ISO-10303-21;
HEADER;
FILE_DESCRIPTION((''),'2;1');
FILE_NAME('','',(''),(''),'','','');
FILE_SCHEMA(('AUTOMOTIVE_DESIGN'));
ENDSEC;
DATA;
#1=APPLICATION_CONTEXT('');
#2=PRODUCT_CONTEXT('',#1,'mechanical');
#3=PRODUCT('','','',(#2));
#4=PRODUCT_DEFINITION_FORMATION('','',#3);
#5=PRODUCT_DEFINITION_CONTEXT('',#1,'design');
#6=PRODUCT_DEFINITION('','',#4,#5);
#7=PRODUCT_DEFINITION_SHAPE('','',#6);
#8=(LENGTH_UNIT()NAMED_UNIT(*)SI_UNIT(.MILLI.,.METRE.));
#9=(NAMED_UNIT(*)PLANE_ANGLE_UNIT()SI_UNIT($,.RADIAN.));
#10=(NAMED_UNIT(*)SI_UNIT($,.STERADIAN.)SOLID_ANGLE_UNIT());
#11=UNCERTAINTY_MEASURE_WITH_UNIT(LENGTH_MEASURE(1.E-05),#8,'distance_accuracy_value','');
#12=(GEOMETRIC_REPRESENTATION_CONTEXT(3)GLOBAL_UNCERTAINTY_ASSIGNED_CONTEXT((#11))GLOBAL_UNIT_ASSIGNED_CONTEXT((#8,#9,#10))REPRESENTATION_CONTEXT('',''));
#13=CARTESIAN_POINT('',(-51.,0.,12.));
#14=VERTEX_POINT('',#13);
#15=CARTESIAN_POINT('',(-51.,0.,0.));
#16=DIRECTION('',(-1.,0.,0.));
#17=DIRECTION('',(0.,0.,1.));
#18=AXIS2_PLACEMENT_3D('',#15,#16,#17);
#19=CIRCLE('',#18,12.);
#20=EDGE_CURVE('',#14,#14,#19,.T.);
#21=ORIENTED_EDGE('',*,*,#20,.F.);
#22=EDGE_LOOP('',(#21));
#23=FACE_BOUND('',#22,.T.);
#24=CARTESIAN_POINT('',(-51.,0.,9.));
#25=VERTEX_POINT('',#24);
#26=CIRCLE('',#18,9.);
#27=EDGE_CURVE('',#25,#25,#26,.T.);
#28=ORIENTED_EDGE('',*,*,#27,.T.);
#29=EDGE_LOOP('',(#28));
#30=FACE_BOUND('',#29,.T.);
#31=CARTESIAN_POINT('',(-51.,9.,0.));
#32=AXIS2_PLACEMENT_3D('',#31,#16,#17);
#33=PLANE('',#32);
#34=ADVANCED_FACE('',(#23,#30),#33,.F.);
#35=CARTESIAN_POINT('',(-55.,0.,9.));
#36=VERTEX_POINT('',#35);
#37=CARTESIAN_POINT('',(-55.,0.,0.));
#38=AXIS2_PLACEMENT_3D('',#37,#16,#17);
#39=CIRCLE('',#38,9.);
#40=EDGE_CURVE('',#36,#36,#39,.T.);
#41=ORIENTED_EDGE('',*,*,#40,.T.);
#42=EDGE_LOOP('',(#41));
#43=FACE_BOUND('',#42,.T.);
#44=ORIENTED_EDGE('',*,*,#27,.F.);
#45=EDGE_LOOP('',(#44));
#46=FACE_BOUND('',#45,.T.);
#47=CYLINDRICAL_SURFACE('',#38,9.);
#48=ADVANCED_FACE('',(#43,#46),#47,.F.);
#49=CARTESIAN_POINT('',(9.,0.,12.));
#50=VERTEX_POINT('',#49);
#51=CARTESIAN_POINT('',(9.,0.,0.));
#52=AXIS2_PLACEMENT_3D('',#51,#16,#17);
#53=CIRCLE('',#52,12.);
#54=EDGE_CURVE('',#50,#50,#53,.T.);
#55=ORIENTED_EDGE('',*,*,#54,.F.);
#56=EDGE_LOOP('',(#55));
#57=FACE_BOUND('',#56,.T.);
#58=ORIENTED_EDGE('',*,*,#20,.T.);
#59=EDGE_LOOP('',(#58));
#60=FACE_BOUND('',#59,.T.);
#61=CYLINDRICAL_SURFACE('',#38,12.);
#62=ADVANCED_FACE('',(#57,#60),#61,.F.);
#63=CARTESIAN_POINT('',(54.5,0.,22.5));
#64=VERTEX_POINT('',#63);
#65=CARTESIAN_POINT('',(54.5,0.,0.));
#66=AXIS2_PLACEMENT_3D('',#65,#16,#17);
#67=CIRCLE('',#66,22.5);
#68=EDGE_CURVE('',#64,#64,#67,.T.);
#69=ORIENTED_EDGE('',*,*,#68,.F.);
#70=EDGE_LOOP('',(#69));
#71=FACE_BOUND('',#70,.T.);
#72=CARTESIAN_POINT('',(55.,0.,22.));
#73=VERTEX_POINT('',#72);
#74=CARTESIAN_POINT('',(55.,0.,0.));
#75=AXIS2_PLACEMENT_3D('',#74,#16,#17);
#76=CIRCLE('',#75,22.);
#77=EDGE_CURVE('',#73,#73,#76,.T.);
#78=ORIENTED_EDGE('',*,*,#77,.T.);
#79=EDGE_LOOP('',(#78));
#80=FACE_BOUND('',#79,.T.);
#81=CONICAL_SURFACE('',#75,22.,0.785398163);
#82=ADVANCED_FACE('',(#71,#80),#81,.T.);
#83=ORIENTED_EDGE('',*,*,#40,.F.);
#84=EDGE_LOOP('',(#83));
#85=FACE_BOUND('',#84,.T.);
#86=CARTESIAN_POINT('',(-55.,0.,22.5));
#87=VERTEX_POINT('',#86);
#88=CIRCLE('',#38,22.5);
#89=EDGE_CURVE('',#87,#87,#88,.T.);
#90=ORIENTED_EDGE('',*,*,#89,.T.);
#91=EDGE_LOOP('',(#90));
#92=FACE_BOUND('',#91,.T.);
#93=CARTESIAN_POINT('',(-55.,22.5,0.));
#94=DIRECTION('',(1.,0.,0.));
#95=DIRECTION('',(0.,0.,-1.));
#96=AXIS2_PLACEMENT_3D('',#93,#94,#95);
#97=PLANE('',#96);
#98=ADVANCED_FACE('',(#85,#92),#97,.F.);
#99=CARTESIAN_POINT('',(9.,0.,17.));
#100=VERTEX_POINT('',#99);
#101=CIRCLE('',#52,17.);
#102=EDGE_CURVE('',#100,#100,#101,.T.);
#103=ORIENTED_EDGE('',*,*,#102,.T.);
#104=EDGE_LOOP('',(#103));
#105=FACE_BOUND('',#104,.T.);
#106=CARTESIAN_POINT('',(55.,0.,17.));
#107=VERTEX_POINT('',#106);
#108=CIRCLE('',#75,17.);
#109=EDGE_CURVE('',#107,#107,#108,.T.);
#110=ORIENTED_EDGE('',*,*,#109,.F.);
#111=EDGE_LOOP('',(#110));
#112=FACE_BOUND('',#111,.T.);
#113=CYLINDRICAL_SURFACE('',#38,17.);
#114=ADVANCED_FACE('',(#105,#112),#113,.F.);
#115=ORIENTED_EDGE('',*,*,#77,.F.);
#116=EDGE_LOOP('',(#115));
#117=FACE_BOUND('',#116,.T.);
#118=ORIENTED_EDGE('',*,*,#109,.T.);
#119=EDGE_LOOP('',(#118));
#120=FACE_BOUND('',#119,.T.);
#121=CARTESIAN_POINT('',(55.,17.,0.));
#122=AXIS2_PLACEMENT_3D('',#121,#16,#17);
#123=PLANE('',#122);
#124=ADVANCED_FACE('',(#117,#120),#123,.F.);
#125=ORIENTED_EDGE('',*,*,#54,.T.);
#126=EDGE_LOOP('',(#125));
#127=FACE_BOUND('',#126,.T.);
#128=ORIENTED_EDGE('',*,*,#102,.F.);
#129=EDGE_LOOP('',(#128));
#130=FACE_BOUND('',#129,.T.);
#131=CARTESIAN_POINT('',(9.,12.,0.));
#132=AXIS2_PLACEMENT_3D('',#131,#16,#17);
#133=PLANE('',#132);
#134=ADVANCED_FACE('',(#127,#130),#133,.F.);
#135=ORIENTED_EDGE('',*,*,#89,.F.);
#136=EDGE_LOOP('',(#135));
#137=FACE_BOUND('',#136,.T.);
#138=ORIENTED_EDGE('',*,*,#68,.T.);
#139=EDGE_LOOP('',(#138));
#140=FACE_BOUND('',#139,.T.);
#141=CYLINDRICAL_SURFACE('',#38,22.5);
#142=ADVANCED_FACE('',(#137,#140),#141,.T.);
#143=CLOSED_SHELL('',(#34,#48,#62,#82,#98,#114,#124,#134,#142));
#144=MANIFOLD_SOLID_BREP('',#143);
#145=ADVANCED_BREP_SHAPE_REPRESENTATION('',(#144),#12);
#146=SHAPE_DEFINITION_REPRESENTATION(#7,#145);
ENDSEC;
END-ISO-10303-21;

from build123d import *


with BuildPart() as part:
    # Sketch1 → Revolve1 (revolve)
    with BuildSketch(Plane.XY):
        Polygon((-55, 9), (-51, 9), (-51, 12), (9, 12), (9, 17), (55, 17), (55, 22), (54.5, 22.5), (-55, 22.5), align=None)
    revolve(axis=Axis((-55, 0, 0), (1, 0, 0)))


solid = part.part
